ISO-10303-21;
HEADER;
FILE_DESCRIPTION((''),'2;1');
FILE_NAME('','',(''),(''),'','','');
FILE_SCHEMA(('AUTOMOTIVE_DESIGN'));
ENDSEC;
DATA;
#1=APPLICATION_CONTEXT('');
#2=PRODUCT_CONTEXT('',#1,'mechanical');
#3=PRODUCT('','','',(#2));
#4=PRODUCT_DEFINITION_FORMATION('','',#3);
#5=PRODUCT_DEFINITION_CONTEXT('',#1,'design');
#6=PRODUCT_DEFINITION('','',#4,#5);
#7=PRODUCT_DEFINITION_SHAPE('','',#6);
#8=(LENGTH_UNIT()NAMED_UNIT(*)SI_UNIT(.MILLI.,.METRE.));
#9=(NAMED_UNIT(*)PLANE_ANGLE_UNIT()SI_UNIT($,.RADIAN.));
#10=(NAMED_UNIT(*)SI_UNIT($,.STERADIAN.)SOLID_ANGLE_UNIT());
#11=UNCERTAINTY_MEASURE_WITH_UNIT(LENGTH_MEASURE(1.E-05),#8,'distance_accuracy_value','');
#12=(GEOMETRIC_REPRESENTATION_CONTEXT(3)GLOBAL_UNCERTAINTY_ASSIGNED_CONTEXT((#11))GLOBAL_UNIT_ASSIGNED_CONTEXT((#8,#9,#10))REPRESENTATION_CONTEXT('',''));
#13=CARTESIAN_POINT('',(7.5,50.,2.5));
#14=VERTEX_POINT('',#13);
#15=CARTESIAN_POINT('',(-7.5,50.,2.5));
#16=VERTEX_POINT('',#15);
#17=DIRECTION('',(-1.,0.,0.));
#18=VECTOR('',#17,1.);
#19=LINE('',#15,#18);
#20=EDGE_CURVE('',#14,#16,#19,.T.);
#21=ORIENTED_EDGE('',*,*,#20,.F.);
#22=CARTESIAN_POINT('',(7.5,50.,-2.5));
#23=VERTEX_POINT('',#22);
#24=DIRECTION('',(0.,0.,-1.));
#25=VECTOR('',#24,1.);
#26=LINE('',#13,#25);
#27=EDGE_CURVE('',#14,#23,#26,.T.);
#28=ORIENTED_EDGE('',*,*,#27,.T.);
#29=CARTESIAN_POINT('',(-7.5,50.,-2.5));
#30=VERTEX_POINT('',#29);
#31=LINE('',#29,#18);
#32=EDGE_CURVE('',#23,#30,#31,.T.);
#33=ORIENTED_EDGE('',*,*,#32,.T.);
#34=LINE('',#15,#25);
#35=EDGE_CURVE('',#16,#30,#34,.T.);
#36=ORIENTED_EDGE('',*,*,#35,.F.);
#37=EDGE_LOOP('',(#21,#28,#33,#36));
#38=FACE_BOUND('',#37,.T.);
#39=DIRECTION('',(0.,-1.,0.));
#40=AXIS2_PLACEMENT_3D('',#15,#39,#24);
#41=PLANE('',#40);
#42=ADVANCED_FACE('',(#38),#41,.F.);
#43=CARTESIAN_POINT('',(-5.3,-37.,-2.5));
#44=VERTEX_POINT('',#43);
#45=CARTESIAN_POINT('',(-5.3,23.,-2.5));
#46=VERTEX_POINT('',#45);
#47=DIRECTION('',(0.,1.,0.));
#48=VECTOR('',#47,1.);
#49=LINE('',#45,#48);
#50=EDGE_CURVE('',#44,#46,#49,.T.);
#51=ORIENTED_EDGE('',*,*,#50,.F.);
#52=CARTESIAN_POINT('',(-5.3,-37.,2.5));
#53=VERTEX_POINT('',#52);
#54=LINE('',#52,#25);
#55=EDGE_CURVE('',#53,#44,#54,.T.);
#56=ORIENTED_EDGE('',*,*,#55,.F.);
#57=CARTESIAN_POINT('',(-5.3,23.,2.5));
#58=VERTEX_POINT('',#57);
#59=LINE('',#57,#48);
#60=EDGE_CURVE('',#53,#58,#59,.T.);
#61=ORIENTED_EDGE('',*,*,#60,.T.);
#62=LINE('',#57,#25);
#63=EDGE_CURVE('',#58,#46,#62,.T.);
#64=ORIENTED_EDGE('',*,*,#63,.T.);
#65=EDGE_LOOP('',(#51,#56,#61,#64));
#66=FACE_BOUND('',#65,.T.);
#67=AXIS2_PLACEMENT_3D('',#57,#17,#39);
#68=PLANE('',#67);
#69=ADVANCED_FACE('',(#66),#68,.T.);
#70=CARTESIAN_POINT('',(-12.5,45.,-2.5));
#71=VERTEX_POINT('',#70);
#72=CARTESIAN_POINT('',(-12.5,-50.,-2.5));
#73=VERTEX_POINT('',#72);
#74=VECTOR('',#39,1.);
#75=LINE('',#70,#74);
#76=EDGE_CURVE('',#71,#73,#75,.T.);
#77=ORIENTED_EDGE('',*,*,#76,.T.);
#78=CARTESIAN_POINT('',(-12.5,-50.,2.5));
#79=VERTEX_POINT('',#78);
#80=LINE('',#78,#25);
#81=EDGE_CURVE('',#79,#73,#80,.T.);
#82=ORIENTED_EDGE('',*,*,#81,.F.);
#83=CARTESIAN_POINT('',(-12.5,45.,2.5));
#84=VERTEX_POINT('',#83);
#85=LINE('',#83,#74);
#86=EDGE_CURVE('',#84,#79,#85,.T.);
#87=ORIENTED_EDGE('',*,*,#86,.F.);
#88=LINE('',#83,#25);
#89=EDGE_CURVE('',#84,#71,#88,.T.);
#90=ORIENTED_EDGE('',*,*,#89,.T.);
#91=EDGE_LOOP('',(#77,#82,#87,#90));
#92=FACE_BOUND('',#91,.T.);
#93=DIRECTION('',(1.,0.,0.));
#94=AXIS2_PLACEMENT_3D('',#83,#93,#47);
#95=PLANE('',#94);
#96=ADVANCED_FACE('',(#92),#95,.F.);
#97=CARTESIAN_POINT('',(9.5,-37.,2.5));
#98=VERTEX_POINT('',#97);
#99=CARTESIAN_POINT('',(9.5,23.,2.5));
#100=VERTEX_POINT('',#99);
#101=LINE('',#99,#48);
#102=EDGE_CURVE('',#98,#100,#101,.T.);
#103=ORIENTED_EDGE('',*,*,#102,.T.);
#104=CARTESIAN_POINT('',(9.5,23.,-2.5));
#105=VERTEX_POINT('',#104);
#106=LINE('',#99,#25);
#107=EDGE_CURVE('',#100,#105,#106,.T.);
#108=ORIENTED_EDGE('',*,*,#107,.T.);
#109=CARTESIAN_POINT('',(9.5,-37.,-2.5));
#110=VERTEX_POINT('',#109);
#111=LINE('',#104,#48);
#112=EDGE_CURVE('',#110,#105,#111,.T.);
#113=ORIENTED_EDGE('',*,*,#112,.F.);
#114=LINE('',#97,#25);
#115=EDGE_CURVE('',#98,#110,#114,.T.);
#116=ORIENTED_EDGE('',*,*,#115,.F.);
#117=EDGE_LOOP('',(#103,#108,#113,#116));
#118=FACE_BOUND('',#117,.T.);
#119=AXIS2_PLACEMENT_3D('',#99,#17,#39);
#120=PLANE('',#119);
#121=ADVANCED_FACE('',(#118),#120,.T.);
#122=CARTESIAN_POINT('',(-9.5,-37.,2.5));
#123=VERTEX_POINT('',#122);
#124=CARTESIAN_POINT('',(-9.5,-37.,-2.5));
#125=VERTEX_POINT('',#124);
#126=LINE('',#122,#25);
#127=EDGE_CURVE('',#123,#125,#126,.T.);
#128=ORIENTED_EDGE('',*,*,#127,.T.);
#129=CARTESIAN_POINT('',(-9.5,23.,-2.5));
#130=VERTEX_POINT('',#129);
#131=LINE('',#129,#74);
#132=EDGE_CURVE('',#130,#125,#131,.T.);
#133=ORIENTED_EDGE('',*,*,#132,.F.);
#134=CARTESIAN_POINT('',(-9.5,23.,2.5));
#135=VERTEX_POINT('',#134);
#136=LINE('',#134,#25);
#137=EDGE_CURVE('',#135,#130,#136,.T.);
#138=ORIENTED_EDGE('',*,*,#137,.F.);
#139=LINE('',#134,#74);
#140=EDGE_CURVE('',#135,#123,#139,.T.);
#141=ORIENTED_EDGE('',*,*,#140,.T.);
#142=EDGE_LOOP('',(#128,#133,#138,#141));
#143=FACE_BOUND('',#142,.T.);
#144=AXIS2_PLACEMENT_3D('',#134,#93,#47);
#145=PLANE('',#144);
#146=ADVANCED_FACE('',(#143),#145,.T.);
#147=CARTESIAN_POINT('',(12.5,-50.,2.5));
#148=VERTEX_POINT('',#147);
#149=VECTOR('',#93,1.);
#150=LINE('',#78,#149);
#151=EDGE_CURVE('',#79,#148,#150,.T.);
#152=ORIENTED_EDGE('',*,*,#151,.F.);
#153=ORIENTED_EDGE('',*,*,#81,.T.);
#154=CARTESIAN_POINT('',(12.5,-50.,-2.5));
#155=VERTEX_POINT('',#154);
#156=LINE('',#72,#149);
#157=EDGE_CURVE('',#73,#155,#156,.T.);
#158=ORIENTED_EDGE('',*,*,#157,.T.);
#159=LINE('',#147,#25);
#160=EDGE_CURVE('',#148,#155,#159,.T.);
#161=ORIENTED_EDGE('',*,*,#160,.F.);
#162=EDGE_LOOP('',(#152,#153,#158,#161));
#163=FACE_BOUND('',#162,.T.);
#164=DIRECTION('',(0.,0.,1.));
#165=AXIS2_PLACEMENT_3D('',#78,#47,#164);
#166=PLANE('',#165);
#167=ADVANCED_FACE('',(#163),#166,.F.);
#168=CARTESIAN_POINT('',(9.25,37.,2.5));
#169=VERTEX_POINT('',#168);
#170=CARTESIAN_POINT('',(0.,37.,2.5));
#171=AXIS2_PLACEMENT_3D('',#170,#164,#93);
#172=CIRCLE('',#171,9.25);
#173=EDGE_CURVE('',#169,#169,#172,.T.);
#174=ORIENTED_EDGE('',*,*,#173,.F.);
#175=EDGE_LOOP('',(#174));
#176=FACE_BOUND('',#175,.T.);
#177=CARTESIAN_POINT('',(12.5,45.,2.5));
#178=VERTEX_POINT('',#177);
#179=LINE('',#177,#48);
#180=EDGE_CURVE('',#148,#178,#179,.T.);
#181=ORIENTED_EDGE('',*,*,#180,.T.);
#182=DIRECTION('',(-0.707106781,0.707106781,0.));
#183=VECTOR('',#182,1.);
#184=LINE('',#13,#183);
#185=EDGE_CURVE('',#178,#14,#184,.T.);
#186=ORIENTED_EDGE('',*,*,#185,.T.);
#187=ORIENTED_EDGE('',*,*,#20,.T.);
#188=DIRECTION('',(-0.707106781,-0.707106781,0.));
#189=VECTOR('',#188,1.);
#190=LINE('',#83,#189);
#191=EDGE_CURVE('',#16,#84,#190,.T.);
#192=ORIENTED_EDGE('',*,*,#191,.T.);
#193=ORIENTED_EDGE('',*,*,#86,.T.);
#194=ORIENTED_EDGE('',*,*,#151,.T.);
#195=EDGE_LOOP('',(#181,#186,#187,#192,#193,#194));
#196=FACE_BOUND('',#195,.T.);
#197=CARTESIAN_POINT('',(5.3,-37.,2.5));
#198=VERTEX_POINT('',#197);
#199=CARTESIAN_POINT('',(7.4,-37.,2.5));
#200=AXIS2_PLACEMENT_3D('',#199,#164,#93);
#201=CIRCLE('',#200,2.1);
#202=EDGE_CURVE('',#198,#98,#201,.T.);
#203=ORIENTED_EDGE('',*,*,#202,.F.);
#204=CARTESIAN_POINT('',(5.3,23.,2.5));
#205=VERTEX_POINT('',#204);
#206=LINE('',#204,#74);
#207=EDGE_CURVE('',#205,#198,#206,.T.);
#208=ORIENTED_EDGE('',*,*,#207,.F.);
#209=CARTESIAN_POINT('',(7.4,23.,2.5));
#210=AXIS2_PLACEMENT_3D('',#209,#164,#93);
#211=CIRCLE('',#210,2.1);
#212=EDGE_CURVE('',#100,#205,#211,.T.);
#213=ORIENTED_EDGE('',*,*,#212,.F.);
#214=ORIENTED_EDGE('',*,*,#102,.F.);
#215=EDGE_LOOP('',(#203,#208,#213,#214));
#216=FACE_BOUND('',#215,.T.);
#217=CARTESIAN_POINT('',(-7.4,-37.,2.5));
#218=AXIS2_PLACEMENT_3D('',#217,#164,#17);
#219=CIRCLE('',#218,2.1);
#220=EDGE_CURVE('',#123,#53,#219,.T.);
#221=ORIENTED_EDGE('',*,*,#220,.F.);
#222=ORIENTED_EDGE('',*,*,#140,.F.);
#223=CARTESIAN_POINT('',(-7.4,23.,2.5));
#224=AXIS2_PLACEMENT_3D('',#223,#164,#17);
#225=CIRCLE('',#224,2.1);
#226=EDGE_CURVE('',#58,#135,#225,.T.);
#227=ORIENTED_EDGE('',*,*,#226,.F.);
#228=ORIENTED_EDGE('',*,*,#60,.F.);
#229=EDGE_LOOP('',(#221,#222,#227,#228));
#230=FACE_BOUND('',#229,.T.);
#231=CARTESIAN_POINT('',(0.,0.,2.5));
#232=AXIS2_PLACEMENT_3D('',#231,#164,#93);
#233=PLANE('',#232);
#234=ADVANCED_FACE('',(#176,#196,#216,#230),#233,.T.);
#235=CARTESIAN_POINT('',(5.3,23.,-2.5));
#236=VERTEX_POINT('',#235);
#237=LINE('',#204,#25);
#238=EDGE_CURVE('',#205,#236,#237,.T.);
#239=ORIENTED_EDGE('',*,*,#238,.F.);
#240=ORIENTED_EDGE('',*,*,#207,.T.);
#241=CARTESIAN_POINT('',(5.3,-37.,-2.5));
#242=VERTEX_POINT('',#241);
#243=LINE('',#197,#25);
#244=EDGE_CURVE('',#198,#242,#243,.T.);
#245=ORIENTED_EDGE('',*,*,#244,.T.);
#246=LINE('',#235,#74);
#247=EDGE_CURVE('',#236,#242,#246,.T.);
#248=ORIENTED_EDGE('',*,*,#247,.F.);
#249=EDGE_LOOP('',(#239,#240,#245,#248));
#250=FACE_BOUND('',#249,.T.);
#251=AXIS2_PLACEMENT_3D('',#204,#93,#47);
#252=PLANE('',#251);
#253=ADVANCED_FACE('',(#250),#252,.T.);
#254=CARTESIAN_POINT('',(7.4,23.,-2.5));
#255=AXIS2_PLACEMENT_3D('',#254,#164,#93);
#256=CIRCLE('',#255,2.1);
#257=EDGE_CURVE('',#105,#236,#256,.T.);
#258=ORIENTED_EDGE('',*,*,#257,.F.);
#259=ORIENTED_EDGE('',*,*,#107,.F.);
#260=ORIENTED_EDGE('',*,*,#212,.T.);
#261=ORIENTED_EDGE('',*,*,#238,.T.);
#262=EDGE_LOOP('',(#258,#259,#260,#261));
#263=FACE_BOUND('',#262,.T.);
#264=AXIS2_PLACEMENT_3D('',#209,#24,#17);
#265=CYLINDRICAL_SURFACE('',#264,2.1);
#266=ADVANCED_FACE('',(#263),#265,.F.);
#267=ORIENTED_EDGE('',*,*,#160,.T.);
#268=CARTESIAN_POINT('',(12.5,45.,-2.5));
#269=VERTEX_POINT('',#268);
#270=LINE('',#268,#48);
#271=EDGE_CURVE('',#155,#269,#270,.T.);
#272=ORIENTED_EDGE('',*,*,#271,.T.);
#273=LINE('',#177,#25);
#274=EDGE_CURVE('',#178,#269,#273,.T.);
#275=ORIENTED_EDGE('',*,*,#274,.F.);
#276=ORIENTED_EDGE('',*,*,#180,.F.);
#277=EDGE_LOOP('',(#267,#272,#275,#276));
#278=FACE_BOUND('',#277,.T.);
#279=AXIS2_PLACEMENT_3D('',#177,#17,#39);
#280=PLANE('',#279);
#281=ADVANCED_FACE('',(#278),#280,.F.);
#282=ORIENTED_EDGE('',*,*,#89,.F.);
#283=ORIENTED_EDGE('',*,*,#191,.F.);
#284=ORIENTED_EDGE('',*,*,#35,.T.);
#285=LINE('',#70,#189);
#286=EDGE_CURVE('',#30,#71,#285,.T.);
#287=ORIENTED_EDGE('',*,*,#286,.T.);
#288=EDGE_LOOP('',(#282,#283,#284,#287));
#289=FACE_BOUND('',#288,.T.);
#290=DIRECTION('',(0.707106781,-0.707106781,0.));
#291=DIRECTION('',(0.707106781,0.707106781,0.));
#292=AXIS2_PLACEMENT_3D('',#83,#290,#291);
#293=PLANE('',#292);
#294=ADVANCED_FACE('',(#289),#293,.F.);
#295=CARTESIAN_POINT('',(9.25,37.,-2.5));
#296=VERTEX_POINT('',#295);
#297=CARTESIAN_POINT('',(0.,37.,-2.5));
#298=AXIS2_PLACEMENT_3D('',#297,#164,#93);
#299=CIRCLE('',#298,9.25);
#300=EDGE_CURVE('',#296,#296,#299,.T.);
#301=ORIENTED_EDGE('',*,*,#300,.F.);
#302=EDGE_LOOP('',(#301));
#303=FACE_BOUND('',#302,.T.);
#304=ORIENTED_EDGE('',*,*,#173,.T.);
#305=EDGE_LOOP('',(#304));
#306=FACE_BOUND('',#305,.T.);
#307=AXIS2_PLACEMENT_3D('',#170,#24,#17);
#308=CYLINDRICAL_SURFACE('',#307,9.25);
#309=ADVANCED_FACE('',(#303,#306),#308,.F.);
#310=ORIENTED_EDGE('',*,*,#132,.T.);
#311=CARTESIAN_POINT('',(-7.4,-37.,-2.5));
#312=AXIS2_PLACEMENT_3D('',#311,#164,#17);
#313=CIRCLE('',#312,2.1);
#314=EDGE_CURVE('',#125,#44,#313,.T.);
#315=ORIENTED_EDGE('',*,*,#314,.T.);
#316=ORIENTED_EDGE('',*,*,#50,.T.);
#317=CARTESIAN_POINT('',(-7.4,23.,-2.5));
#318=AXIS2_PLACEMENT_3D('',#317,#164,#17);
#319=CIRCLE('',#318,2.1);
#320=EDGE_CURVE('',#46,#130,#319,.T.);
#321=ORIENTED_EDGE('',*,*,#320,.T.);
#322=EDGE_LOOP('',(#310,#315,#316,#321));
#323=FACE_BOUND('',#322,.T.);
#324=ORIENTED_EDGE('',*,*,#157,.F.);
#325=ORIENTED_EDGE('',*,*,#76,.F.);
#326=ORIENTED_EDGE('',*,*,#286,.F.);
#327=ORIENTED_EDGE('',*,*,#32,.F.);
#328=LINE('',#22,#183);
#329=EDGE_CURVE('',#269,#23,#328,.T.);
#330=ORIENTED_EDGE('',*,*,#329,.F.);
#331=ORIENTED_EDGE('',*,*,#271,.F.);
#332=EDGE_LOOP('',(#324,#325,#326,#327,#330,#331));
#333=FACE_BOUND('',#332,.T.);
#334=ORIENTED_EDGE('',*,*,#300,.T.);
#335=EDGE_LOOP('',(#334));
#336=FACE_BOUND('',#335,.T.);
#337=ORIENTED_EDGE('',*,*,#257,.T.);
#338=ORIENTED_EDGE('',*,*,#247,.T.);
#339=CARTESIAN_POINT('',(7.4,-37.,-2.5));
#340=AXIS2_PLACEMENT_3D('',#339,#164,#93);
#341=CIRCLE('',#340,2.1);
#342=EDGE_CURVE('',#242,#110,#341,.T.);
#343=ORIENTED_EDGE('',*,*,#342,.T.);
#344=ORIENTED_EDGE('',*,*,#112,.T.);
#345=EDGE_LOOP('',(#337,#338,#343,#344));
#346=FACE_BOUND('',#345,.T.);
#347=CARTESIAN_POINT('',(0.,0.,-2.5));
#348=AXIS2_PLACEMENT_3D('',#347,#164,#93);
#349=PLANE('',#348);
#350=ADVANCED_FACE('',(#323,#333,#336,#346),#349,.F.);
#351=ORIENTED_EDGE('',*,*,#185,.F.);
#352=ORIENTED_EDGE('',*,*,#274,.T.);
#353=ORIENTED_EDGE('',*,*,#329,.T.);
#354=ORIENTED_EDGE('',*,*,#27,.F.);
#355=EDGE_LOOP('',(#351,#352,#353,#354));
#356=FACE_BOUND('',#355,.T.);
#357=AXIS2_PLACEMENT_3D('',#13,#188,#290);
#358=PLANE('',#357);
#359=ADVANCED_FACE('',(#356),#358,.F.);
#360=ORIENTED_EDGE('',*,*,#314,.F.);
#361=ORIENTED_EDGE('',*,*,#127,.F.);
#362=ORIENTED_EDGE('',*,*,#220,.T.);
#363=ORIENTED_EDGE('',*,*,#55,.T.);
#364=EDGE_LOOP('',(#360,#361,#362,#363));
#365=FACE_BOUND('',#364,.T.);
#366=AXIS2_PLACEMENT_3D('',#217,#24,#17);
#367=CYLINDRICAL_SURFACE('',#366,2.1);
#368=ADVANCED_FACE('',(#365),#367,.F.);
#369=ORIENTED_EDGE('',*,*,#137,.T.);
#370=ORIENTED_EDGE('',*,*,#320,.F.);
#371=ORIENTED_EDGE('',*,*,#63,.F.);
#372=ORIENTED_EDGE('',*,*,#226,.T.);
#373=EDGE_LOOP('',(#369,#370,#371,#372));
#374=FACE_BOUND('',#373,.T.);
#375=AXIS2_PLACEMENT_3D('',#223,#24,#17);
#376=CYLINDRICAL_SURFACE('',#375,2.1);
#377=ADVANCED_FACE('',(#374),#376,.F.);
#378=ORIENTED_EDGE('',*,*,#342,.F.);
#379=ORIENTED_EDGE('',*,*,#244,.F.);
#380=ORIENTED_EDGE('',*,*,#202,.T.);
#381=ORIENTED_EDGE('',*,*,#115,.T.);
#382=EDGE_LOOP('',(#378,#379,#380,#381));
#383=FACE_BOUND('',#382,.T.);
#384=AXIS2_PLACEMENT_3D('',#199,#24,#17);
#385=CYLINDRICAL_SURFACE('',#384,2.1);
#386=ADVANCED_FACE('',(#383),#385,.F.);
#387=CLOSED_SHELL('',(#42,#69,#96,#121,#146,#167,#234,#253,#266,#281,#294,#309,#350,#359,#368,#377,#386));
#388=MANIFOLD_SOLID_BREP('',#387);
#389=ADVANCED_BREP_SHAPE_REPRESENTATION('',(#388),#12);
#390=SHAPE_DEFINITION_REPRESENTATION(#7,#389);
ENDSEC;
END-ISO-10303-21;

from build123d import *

# Parameters (mm, degrees)
SKETCH1_R           = 9.25
BOSS_EXTRUDE1_DEPTH = 2.5


with BuildPart() as part:
    # Sketch1 → Boss-Extrude1 (new, symmetric)
    with BuildSketch(Plane.XY):
        Polygon((-7.5, 50), (7.5, 50), (12.5, 45), (12.5, -50), (-12.5, -50), (-12.5, 45), align=None)
        with Locations((0, 37)):
            Circle(SKETCH1_R, mode=Mode.SUBTRACT)
        with BuildLine():
            Line((9.5, 23), (9.5, -37))
            ThreePointArc((9.5, -37), (7.4, -39.1), (5.3, -37))
            Line((5.3, -37), (5.3, 23))
            ThreePointArc((5.3, 23), (7.4, 25.1), (9.5, 23))
        make_face(mode=Mode.SUBTRACT)
        with BuildLine():
            Line((-9.5, 23), (-9.5, -37))
            ThreePointArc((-9.5, -37), (-7.4, -39.1), (-5.3, -37))
            Line((-5.3, -37), (-5.3, 23))
            ThreePointArc((-5.3, 23), (-7.4, 25.1), (-9.5, 23))
        make_face(mode=Mode.SUBTRACT)
    extrude(amount=BOSS_EXTRUDE1_DEPTH, both=True)


solid = part.part
